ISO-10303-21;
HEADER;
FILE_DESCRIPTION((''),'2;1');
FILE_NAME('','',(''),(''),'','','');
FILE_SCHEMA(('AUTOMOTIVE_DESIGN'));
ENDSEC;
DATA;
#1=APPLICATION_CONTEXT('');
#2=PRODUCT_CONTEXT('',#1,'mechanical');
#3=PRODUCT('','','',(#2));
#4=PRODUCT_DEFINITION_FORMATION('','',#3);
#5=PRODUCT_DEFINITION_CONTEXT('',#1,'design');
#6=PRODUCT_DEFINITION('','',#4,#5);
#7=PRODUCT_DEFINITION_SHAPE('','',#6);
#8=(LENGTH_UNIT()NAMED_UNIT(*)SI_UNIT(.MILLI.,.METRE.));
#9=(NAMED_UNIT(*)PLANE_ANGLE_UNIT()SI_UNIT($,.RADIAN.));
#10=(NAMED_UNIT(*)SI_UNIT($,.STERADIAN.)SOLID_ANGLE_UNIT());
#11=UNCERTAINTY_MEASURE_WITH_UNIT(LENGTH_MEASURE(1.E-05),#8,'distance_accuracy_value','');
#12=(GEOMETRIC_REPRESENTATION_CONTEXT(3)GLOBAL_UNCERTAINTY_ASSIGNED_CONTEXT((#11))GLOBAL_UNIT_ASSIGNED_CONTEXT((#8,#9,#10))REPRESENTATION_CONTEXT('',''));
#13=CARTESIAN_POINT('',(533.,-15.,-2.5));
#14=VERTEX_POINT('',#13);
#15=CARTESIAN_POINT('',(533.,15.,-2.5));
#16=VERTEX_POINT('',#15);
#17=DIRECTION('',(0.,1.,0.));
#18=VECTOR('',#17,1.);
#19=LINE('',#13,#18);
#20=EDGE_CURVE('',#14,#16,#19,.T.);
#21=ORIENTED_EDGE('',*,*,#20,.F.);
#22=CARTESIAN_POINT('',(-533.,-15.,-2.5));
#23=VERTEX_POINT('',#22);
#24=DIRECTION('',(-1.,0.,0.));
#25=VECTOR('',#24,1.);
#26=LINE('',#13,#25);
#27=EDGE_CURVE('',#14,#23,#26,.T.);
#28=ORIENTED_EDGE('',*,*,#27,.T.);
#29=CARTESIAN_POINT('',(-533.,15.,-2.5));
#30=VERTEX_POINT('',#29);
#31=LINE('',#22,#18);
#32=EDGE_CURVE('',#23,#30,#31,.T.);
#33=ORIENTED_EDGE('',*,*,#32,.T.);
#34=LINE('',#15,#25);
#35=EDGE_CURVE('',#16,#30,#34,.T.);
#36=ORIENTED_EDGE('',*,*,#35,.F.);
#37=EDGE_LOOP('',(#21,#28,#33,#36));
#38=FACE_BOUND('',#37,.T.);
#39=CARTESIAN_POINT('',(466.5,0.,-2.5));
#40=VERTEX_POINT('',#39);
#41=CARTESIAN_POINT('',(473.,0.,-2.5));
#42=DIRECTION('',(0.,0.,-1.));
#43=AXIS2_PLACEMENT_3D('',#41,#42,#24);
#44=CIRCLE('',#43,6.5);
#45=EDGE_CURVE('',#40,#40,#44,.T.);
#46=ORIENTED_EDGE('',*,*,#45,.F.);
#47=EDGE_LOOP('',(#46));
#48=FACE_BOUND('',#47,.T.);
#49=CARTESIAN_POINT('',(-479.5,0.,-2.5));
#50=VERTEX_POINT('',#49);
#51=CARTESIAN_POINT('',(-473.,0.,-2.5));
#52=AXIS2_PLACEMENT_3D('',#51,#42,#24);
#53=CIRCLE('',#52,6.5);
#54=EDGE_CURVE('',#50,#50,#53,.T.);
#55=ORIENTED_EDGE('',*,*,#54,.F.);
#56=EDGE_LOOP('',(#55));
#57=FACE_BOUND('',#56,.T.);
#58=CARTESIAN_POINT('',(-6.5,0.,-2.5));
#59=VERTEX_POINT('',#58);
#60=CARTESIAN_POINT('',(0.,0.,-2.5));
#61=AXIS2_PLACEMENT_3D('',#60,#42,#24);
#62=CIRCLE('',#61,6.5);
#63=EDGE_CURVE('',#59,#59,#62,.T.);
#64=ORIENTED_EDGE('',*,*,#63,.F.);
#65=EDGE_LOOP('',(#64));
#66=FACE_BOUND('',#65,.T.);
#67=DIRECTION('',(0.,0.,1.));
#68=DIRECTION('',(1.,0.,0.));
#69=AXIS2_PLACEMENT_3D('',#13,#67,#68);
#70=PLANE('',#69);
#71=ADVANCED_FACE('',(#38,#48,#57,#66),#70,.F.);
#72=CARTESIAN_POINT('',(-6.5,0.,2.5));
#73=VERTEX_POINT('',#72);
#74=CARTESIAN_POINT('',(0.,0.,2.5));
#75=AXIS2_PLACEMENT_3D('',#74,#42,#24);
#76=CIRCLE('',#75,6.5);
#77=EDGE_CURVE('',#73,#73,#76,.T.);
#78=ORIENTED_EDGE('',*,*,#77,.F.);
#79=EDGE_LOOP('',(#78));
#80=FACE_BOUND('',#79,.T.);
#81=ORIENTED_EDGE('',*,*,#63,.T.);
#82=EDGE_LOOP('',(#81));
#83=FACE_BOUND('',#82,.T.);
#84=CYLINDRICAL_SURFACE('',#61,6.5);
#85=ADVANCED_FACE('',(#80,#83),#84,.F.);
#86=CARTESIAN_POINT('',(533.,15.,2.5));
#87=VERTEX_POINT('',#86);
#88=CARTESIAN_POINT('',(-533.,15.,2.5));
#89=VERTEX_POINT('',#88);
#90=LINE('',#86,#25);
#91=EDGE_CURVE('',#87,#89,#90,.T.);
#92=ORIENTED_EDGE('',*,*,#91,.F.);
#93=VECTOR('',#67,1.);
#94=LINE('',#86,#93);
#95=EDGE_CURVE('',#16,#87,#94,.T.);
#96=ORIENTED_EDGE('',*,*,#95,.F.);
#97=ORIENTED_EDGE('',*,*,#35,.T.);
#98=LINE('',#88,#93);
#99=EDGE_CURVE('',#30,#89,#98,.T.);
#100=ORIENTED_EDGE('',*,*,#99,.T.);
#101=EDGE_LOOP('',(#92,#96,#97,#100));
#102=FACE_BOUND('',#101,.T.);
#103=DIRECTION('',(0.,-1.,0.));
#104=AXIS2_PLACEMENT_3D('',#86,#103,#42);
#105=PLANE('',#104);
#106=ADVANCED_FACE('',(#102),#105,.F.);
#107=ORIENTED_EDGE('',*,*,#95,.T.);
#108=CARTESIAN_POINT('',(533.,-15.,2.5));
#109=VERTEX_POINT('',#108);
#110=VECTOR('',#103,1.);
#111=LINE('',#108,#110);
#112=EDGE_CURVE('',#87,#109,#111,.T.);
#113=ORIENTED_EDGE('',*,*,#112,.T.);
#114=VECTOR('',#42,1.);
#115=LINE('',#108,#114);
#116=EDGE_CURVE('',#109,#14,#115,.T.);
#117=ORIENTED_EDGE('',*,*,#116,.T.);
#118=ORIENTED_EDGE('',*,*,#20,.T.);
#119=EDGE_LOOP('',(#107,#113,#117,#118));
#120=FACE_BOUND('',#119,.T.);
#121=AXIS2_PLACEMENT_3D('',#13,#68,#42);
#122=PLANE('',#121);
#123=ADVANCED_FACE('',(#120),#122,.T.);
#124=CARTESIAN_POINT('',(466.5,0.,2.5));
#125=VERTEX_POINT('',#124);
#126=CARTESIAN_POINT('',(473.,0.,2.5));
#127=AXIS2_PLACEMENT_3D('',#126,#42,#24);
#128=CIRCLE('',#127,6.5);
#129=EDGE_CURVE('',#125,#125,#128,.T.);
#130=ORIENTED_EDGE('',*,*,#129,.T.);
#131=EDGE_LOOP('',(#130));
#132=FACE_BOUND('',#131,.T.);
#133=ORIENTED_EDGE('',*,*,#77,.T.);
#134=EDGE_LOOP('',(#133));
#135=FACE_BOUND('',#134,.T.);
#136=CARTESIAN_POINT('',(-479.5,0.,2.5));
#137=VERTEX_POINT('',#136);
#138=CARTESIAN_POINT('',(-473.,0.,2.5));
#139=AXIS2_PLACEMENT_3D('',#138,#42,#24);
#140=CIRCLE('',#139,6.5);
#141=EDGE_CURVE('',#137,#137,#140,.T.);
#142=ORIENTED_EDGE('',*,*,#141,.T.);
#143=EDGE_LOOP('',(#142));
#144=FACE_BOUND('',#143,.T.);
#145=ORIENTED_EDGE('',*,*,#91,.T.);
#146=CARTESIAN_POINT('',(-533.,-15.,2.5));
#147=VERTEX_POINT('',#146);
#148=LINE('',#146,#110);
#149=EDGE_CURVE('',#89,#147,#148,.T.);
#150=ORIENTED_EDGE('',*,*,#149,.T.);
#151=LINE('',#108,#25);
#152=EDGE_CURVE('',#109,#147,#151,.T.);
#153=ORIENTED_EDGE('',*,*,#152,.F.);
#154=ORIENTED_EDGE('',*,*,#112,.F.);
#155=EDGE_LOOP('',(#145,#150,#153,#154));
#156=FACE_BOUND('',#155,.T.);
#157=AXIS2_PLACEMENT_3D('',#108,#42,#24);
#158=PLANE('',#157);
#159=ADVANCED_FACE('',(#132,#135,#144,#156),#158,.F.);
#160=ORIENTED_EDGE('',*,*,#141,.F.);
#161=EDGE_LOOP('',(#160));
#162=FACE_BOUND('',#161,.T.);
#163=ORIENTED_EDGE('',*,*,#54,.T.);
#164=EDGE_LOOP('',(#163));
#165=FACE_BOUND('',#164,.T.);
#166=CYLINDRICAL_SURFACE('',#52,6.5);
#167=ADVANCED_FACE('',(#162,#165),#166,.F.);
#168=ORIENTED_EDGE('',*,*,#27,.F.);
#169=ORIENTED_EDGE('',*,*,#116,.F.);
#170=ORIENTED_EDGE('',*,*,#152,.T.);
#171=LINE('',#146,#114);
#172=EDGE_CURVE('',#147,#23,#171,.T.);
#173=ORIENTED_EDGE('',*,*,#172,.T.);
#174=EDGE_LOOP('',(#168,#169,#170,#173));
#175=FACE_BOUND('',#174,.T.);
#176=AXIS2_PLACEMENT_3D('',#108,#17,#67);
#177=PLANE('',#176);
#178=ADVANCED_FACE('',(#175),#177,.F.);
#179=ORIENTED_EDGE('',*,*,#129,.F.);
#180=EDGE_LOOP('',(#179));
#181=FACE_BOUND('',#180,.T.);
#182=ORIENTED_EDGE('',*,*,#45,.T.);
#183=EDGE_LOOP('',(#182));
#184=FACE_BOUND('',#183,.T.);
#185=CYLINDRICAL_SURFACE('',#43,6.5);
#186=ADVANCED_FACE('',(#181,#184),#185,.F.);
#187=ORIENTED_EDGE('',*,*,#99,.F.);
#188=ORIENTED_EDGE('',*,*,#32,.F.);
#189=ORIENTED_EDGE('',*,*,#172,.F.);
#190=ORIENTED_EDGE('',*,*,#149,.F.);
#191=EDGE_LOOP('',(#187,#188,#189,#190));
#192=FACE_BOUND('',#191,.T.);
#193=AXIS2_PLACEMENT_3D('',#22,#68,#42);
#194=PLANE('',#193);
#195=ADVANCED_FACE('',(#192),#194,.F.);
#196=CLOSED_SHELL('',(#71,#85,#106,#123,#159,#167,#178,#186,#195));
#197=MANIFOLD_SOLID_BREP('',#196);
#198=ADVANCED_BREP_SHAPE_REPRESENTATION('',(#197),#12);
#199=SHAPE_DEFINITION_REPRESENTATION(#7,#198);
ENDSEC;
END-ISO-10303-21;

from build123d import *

# Parameters (mm, degrees)
PLAT_W                          = 30
PLAT_H                          = 5
EL_MENT_M_CANO_SOUD_1_DEPTH     = 1066
DIAM_TRE_DU_PER_AGE_13_0_13_1_D = 13
R_P_TITION_LIN_AIRE2_COUNT      = 3
R_P_TITION_LIN_AIRE2_PITCH      = 473


with BuildPart() as part:
    # plat → Elément mécano-soudé1 (new body)
    with BuildSketch(Plane.YZ.offset(-533)):
        Rectangle(PLAT_W, PLAT_H)
    extrude(amount=EL_MENT_M_CANO_SOUD_1_DEPTH)

    # Diamètre du perçage Ø13.0 (13)1 (through all)
    with Locations(Plane(origin=(0, 0, -2.5), x_dir=(-1, 0, 0), z_dir=(0, 0, -1))):
        with Locations((473, 0)):
            diam_tre_du_per_age_13_0_13_1 = Hole(DIAM_TRE_DU_PER_AGE_13_0_13_1_D / 2)

    # Répétition linéaire2: Diamètre du perçage Ø13.0 (13)1 ×3
    with Locations(*[(i * R_P_TITION_LIN_AIRE2_PITCH, 0, 0) for i in range(1, R_P_TITION_LIN_AIRE2_COUNT)]):
        add(diam_tre_du_per_age_13_0_13_1, mode=Mode.SUBTRACT)


solid = part.part
